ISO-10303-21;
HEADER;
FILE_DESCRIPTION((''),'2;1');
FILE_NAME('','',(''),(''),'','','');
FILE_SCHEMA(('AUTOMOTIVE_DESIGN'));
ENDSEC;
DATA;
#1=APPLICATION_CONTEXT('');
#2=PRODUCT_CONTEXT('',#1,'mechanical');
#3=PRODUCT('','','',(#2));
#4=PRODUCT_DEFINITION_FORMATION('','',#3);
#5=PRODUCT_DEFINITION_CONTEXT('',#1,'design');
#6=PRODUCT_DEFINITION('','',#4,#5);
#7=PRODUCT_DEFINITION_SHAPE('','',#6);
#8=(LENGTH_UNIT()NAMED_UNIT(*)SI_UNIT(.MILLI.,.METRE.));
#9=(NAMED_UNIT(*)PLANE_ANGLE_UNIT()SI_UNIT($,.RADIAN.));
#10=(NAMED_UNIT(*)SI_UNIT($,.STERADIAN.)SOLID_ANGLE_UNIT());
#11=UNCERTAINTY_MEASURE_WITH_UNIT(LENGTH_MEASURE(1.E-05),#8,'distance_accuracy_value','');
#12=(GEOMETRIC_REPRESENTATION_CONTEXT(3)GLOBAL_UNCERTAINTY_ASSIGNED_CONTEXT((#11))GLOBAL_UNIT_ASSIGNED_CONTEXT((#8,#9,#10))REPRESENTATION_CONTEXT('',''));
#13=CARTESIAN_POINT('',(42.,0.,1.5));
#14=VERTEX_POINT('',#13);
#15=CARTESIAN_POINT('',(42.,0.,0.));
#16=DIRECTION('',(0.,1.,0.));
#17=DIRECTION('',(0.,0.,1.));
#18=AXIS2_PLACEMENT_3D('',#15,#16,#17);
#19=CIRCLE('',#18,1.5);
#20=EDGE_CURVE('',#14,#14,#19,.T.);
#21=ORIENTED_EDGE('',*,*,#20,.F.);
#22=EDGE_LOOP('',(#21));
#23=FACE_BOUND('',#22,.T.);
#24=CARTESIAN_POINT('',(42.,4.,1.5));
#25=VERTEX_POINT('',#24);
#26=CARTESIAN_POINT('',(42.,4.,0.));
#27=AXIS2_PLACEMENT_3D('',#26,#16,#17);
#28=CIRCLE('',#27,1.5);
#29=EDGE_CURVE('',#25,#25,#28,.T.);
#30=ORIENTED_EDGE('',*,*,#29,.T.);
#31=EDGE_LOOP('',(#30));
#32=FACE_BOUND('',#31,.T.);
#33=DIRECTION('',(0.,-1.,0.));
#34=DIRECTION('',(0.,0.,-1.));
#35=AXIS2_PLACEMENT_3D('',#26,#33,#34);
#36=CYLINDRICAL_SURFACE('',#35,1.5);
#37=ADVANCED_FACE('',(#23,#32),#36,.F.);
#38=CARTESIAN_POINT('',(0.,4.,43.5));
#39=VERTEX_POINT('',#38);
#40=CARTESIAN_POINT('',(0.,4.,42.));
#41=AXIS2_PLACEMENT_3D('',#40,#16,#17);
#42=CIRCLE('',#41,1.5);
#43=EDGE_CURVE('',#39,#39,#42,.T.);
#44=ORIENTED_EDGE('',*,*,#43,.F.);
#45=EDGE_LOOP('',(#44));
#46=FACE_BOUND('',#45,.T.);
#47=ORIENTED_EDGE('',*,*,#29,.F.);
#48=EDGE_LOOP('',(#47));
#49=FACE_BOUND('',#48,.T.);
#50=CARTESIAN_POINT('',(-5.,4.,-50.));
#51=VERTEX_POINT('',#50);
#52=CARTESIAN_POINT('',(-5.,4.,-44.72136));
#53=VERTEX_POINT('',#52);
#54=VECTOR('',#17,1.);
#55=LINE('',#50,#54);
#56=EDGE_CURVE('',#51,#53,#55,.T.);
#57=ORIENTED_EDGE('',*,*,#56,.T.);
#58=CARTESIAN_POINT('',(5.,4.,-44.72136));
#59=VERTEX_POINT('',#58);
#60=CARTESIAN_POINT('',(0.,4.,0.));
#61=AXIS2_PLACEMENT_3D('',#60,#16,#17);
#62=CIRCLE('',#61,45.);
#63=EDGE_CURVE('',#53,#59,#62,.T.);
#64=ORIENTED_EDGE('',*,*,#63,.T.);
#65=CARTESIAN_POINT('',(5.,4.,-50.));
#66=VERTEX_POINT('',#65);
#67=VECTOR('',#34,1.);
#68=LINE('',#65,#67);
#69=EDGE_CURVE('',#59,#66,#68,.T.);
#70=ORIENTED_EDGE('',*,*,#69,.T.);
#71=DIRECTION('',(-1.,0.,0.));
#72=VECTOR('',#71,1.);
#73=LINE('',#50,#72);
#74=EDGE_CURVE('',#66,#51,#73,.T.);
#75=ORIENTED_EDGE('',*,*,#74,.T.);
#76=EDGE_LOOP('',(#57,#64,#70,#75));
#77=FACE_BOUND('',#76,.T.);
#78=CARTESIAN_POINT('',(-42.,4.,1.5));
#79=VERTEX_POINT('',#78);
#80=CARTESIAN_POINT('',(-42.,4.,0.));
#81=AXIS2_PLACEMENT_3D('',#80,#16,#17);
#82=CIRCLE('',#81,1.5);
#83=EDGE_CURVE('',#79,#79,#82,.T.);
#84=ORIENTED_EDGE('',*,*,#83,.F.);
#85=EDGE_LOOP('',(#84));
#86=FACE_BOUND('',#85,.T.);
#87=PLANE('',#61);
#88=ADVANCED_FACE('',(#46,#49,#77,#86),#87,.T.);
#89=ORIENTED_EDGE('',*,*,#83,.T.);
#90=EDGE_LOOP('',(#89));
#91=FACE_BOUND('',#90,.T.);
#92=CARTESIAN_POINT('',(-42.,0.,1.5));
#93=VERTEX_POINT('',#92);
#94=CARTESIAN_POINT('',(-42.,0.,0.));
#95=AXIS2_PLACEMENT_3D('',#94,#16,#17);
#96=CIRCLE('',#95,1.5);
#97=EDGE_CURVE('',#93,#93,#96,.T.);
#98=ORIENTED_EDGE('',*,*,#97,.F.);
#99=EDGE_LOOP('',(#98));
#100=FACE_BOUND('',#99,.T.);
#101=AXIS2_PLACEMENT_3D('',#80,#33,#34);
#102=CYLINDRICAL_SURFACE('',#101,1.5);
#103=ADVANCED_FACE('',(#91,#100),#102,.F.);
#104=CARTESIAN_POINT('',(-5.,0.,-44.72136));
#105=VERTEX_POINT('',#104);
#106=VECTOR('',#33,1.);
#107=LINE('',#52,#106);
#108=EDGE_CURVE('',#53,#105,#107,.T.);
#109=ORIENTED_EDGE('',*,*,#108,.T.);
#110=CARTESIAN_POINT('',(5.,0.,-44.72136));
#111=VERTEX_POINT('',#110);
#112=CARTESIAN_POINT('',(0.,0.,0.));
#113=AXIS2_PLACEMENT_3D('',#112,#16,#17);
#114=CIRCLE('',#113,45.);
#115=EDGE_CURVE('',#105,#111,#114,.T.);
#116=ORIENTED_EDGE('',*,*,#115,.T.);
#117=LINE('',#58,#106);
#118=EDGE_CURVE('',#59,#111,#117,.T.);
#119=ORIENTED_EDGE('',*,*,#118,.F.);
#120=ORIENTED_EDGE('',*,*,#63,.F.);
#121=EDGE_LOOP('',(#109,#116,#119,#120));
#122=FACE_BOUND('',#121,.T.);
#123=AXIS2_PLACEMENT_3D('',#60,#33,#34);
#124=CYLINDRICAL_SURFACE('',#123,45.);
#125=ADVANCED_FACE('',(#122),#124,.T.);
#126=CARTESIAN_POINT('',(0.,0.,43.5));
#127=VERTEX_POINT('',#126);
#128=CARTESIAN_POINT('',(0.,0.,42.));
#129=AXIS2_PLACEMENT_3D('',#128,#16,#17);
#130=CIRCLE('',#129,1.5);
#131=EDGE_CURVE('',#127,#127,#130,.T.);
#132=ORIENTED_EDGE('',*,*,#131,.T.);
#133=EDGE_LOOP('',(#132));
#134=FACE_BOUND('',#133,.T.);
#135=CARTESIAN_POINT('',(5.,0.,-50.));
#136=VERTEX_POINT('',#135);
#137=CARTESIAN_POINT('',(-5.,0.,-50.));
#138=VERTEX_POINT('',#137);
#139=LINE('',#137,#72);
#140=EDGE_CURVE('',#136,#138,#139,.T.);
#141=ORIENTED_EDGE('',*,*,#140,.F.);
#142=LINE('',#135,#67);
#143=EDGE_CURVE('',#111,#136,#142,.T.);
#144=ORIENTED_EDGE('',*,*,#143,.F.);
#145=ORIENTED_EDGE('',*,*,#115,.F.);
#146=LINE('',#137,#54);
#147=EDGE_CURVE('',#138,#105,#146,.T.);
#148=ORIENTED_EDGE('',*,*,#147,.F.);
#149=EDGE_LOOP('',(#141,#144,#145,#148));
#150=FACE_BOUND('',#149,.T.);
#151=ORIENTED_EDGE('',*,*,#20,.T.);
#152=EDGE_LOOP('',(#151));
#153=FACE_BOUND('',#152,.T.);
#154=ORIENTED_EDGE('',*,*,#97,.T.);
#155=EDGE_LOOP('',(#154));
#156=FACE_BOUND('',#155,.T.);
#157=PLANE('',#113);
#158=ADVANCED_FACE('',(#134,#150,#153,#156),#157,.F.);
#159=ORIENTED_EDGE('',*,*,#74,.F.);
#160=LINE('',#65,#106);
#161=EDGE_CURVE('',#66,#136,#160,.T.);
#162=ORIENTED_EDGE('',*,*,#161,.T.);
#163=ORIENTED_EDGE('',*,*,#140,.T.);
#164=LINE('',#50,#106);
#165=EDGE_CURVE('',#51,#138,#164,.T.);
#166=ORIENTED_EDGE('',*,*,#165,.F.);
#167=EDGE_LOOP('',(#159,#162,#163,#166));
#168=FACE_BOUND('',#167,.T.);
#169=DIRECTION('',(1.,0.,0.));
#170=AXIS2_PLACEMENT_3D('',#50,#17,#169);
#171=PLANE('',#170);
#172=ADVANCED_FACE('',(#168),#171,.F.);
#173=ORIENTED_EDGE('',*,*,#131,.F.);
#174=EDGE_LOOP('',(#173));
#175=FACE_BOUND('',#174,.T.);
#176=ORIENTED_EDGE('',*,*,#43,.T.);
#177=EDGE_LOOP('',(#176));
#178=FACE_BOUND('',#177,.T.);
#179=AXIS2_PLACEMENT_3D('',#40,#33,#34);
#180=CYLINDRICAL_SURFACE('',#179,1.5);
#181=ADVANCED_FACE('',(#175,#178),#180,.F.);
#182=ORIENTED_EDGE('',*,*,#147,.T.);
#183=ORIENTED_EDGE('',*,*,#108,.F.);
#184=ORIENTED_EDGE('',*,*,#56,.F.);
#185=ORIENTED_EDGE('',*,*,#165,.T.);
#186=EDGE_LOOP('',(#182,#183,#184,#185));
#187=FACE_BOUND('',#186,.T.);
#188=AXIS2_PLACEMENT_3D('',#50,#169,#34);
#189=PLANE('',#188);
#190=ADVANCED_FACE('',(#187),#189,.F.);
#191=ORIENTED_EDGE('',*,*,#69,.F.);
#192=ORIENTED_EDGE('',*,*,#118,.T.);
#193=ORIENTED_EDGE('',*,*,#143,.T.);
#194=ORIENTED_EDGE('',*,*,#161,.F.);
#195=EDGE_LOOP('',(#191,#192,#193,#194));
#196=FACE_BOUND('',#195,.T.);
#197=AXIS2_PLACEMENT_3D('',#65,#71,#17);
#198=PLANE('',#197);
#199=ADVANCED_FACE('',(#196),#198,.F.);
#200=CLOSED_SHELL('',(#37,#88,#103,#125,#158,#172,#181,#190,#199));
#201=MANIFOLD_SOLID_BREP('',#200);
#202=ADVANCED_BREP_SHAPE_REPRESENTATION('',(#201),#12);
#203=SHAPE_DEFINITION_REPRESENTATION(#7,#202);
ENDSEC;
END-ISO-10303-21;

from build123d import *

# Parameters (mm, degrees)
SKETCH_1_R      = 1.5
EXTRUDE_1_DEPTH = 4


with BuildPart() as part:
    # 草图1 → 凸台-拉伸1 (new body)
    with BuildSketch(Plane(origin=(0, 0, 0), x_dir=(1, 0, 0), z_dir=(0, 1, 0))):
        with BuildLine():
            Line((-5, 50), (5, 50))
            Line((5, 50), (5, 44.72135955))
            ThreePointArc((5, 44.72135955), (0, -45), (-5, 44.72135955))
            Line((-5, 44.72135955), (-5, 50))
        make_face()
        with Locations(Location((-42, 0, 0), (0, 0, 270))):
            Circle(SKETCH_1_R, mode=Mode.SUBTRACT)
        with Locations(Location((42, 0, 0), (0, 0, 270))):
            Circle(SKETCH_1_R, mode=Mode.SUBTRACT)
        with Locations(Location((0, -42, 0), (0, 0, 270))):
            Circle(SKETCH_1_R, mode=Mode.SUBTRACT)
    extrude(amount=EXTRUDE_1_DEPTH)


solid = part.part
